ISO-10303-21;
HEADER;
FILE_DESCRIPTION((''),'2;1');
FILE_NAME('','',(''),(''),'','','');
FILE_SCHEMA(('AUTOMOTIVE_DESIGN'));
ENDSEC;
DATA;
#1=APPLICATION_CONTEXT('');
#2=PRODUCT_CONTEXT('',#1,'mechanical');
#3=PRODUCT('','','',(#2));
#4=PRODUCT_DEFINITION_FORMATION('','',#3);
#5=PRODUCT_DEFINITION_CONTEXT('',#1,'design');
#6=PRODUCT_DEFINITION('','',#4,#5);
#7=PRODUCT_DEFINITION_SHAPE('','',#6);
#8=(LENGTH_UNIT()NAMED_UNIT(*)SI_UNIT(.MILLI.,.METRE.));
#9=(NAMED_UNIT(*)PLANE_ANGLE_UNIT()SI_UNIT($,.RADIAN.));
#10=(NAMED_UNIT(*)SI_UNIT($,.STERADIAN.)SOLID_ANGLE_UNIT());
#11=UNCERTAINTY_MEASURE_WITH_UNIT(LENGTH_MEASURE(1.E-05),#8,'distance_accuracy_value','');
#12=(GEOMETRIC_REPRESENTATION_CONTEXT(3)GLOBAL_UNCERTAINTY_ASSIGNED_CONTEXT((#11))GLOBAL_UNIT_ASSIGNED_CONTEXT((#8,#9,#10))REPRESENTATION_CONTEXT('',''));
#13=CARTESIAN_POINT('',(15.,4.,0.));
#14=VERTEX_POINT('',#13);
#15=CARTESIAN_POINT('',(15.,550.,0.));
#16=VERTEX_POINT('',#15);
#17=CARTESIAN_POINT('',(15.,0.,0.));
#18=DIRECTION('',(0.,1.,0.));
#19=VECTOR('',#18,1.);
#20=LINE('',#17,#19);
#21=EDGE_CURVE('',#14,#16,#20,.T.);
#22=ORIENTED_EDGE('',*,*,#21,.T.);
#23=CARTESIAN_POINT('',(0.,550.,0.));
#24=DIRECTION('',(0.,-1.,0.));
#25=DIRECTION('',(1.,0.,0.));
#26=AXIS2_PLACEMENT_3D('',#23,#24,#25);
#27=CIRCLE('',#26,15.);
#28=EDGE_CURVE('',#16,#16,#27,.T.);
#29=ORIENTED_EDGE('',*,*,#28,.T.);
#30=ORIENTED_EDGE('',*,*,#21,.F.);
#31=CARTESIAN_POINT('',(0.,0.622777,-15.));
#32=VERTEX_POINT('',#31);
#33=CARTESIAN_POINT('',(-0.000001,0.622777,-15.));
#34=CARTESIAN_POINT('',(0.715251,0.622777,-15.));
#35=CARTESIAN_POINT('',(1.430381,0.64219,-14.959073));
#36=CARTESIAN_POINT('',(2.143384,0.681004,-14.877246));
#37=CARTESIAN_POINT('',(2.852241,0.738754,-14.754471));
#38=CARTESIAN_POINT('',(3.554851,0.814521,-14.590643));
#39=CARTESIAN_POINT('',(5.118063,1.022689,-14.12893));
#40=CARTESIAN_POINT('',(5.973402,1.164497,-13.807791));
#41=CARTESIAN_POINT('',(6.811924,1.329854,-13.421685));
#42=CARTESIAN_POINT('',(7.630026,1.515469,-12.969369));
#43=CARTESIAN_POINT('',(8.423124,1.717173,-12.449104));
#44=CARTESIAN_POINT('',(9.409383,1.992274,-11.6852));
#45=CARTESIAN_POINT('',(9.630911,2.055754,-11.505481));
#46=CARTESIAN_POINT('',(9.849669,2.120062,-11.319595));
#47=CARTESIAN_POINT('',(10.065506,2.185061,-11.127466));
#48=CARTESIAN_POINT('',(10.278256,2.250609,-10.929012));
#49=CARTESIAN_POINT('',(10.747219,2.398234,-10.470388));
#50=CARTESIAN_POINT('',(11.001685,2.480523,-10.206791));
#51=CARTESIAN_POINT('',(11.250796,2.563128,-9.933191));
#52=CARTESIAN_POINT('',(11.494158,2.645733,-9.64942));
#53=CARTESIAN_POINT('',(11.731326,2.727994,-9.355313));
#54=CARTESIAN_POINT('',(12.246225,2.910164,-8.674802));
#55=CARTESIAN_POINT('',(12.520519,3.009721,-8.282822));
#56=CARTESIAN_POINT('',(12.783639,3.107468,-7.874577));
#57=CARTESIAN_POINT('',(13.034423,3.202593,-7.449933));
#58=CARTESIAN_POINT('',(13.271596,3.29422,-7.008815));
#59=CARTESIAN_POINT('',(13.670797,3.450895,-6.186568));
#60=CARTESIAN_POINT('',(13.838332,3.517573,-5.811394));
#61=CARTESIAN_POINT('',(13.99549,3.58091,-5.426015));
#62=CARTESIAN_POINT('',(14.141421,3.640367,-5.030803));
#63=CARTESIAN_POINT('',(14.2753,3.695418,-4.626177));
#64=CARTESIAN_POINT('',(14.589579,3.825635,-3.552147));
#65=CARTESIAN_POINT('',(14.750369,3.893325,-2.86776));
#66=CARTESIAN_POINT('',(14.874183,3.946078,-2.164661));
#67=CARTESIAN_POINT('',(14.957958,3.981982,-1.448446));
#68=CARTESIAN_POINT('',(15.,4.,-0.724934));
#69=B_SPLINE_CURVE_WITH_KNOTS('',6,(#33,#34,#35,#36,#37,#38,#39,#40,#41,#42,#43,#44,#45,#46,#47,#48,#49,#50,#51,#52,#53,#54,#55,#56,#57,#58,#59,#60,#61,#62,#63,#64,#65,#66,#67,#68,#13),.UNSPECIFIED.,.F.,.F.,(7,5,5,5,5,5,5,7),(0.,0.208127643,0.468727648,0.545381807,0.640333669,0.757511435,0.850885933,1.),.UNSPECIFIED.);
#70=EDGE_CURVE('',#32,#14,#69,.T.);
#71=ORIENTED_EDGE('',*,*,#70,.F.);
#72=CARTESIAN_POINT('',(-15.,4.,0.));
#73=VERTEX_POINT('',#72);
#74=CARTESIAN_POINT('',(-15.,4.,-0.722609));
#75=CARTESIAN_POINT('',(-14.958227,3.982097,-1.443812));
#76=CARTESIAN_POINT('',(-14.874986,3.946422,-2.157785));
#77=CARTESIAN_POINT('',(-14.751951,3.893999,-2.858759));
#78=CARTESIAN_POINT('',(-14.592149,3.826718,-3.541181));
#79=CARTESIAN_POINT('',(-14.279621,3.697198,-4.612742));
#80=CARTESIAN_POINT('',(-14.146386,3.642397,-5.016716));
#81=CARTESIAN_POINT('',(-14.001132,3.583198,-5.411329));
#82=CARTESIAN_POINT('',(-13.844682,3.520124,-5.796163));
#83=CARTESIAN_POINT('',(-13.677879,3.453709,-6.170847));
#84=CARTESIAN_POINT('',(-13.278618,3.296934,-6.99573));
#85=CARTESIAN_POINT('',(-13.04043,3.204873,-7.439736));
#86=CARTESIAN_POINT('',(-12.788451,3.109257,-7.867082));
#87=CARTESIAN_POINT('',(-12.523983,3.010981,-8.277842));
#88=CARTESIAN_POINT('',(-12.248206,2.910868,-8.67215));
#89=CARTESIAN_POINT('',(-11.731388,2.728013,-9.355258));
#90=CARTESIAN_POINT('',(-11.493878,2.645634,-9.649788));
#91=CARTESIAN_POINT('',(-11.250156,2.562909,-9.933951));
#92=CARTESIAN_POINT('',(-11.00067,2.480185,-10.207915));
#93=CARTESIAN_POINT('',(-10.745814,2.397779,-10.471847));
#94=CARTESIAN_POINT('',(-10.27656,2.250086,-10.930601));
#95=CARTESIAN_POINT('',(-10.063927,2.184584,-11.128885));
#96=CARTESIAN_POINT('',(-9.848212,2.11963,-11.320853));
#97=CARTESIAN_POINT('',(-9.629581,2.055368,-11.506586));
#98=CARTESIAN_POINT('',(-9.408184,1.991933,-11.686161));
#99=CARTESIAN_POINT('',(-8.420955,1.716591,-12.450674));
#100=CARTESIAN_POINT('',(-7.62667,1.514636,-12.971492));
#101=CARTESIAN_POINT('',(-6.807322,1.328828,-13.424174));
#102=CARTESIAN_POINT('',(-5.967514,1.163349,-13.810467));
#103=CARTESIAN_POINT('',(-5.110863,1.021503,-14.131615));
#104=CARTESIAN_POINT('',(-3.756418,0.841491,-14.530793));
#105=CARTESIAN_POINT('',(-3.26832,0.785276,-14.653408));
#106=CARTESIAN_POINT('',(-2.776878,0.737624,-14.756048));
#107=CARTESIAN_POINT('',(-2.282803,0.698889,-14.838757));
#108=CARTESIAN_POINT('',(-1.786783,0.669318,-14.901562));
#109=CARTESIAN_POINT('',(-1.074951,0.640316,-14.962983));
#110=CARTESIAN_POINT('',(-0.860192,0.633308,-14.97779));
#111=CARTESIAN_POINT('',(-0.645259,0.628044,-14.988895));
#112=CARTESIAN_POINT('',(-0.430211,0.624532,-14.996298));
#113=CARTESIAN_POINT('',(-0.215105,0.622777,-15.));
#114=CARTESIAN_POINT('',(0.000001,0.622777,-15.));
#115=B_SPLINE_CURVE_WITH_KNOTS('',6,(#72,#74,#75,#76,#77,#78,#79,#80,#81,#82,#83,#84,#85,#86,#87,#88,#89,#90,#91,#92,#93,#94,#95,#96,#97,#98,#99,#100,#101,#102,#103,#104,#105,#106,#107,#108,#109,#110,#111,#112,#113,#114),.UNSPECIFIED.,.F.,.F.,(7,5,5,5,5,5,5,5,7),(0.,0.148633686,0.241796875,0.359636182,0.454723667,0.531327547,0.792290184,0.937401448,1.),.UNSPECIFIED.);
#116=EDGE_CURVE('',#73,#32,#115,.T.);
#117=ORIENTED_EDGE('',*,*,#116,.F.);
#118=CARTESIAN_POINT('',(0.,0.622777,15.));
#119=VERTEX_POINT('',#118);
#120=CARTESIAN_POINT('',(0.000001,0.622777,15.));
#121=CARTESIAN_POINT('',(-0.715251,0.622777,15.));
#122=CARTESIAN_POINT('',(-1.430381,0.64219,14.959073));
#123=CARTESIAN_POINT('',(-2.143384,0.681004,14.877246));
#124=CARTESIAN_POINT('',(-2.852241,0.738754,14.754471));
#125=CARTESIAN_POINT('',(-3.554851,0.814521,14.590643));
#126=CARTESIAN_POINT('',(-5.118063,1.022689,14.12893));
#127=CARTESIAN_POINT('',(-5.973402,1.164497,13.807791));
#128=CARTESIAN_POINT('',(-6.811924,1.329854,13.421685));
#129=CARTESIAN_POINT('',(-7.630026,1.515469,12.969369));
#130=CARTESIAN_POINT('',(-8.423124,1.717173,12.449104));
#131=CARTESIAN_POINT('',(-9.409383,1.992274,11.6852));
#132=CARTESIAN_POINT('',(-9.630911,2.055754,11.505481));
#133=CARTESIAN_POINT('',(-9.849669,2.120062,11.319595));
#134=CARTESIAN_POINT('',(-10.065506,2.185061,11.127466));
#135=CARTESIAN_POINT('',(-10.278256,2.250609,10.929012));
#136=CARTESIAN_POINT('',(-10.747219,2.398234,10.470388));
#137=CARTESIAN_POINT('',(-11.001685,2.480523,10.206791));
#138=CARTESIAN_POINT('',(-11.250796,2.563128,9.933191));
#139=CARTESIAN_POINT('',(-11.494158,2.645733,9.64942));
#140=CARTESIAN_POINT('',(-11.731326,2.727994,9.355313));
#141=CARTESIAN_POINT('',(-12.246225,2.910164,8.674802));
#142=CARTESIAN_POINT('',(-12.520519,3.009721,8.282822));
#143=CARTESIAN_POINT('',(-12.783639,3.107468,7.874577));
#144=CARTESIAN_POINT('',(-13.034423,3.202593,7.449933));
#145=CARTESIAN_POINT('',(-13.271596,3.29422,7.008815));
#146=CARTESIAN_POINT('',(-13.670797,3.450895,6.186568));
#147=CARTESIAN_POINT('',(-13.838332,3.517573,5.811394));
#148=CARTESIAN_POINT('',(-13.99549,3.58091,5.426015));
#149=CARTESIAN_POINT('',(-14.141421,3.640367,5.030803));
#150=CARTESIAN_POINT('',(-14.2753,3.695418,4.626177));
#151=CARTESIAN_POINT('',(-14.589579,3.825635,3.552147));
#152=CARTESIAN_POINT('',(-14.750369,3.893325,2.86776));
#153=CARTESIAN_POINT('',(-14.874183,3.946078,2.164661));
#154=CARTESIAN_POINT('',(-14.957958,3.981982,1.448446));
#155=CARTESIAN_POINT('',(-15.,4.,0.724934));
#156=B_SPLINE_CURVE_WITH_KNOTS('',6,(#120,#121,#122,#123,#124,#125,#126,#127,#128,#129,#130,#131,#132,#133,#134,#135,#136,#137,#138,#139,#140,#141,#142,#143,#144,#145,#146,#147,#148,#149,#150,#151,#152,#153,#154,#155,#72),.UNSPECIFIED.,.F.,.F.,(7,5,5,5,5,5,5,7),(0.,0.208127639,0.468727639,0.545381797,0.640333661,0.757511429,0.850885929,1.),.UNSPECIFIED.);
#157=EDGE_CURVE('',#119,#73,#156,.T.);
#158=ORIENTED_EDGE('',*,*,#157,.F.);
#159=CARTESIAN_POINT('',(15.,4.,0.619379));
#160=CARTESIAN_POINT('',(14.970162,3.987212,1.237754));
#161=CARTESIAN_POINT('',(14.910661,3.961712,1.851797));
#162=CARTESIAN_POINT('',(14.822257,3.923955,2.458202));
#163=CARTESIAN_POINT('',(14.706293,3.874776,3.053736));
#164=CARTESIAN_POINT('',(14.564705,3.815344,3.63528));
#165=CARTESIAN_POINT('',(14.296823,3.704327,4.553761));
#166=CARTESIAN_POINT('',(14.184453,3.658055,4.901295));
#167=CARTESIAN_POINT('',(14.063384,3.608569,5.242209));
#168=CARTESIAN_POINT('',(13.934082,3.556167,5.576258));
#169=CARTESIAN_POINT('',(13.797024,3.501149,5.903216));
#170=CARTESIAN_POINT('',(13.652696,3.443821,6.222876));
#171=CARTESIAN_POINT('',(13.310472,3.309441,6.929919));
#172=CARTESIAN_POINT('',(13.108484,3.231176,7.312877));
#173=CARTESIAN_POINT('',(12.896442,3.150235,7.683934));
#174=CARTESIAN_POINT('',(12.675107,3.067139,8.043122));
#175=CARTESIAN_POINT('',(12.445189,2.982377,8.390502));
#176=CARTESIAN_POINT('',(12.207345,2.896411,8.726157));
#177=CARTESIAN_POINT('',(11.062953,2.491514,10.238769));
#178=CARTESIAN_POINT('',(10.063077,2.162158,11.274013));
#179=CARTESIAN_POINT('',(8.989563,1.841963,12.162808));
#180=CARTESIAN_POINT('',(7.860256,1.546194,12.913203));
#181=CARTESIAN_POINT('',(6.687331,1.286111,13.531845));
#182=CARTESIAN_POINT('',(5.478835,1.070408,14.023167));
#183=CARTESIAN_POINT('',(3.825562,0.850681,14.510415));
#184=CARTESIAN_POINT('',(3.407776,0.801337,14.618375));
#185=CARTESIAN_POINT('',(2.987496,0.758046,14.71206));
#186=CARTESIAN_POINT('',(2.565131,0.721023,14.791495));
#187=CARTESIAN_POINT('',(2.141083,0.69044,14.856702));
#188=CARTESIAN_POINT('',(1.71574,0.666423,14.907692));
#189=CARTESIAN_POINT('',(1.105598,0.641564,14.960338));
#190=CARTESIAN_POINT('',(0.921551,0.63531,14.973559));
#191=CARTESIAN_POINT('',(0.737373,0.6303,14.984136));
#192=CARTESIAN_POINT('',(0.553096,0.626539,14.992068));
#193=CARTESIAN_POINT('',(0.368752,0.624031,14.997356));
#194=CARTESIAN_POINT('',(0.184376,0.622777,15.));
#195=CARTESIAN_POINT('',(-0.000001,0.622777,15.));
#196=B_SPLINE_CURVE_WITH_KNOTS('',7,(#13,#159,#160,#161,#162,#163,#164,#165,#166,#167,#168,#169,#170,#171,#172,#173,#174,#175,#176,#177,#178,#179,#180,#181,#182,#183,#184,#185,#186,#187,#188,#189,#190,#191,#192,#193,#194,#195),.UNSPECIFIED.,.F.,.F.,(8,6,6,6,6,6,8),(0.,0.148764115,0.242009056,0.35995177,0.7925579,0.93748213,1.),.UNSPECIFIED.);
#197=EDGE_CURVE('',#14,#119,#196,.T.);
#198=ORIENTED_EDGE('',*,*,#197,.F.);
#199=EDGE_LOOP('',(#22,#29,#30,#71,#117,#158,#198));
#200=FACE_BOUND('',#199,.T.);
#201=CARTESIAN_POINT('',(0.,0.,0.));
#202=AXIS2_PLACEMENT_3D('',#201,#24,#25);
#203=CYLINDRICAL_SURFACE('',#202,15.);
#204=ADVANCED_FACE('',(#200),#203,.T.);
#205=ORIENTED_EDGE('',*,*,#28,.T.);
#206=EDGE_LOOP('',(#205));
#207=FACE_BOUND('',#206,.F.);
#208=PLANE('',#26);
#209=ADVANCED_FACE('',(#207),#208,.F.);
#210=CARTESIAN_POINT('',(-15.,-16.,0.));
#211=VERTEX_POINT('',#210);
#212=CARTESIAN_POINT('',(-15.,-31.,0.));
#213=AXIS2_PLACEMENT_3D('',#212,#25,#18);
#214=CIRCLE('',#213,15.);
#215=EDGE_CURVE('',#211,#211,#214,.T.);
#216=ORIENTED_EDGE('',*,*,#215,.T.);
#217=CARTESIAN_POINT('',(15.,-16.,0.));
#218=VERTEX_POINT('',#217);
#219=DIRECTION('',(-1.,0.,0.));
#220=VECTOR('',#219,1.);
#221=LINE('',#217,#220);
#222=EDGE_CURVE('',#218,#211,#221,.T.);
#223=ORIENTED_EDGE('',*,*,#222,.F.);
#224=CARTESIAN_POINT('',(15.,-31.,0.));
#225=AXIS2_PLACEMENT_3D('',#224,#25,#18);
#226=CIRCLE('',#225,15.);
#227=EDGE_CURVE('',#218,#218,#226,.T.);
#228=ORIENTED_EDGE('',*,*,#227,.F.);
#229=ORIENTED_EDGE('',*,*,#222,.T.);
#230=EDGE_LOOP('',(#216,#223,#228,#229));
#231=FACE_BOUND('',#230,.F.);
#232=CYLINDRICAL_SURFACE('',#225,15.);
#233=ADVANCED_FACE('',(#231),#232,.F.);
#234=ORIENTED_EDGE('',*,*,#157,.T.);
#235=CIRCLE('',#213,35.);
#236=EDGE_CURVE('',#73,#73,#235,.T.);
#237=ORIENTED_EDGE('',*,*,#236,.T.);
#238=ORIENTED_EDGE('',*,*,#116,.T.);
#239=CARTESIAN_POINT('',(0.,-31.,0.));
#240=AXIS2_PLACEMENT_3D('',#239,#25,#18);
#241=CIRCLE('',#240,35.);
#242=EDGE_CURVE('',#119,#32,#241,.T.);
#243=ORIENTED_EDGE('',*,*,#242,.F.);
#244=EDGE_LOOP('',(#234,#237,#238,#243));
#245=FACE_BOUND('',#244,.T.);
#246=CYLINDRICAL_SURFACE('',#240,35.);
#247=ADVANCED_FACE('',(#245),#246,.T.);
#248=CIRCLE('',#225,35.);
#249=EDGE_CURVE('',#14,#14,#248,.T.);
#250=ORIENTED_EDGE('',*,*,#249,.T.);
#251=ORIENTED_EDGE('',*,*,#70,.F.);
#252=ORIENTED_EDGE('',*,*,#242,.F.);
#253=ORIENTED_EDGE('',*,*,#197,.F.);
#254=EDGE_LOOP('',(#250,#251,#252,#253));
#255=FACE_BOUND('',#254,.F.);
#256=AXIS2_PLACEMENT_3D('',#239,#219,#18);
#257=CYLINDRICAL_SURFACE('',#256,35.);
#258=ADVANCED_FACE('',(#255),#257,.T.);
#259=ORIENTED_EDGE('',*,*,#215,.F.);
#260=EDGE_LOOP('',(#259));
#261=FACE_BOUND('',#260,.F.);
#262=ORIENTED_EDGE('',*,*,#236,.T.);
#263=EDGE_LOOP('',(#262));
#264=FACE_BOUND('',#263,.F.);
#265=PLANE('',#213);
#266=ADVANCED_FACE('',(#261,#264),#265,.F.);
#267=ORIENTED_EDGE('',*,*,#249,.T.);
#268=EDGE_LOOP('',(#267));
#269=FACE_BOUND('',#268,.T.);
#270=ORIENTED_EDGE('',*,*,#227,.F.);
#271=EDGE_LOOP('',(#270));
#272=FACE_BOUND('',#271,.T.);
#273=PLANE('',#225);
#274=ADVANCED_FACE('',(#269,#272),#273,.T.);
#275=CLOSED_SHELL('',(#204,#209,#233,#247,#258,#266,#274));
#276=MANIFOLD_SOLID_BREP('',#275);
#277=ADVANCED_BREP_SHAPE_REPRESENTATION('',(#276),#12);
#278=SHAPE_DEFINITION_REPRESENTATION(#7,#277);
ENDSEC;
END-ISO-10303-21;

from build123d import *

# Parameters (mm, degrees)
F0_R          = 15
F1_DEPTH      = 550
F2_R          = 35
F3_DEPTH      = 15
F3_DEPTH_BACK = 15
F4_R          = 15
F5_DEPTH      = 30.001


with BuildPart() as f1:
    # F0 (on Front) → F1 (new body)
    with BuildSketch(Plane.XZ):
        Circle(F0_R)
    extrude(amount=-F1_DEPTH)

    # F2 (on Right) → F3 (join, two sides)
    with BuildSketch(Plane.YZ) as f3_sk:
        with Locations((-31, 0)):
            Circle(F2_R)
    extrude(amount=F3_DEPTH)
    extrude(f3_sk.sketch, amount=-F3_DEPTH_BACK)

    # F4 (on face) → F5 (cut, through all)
    with BuildSketch(Plane.YZ.offset(15)):
        with Locations((-31, 0)):
            Circle(F4_R)
    extrude(amount=-F5_DEPTH, mode=Mode.SUBTRACT)


solid = f1.part
